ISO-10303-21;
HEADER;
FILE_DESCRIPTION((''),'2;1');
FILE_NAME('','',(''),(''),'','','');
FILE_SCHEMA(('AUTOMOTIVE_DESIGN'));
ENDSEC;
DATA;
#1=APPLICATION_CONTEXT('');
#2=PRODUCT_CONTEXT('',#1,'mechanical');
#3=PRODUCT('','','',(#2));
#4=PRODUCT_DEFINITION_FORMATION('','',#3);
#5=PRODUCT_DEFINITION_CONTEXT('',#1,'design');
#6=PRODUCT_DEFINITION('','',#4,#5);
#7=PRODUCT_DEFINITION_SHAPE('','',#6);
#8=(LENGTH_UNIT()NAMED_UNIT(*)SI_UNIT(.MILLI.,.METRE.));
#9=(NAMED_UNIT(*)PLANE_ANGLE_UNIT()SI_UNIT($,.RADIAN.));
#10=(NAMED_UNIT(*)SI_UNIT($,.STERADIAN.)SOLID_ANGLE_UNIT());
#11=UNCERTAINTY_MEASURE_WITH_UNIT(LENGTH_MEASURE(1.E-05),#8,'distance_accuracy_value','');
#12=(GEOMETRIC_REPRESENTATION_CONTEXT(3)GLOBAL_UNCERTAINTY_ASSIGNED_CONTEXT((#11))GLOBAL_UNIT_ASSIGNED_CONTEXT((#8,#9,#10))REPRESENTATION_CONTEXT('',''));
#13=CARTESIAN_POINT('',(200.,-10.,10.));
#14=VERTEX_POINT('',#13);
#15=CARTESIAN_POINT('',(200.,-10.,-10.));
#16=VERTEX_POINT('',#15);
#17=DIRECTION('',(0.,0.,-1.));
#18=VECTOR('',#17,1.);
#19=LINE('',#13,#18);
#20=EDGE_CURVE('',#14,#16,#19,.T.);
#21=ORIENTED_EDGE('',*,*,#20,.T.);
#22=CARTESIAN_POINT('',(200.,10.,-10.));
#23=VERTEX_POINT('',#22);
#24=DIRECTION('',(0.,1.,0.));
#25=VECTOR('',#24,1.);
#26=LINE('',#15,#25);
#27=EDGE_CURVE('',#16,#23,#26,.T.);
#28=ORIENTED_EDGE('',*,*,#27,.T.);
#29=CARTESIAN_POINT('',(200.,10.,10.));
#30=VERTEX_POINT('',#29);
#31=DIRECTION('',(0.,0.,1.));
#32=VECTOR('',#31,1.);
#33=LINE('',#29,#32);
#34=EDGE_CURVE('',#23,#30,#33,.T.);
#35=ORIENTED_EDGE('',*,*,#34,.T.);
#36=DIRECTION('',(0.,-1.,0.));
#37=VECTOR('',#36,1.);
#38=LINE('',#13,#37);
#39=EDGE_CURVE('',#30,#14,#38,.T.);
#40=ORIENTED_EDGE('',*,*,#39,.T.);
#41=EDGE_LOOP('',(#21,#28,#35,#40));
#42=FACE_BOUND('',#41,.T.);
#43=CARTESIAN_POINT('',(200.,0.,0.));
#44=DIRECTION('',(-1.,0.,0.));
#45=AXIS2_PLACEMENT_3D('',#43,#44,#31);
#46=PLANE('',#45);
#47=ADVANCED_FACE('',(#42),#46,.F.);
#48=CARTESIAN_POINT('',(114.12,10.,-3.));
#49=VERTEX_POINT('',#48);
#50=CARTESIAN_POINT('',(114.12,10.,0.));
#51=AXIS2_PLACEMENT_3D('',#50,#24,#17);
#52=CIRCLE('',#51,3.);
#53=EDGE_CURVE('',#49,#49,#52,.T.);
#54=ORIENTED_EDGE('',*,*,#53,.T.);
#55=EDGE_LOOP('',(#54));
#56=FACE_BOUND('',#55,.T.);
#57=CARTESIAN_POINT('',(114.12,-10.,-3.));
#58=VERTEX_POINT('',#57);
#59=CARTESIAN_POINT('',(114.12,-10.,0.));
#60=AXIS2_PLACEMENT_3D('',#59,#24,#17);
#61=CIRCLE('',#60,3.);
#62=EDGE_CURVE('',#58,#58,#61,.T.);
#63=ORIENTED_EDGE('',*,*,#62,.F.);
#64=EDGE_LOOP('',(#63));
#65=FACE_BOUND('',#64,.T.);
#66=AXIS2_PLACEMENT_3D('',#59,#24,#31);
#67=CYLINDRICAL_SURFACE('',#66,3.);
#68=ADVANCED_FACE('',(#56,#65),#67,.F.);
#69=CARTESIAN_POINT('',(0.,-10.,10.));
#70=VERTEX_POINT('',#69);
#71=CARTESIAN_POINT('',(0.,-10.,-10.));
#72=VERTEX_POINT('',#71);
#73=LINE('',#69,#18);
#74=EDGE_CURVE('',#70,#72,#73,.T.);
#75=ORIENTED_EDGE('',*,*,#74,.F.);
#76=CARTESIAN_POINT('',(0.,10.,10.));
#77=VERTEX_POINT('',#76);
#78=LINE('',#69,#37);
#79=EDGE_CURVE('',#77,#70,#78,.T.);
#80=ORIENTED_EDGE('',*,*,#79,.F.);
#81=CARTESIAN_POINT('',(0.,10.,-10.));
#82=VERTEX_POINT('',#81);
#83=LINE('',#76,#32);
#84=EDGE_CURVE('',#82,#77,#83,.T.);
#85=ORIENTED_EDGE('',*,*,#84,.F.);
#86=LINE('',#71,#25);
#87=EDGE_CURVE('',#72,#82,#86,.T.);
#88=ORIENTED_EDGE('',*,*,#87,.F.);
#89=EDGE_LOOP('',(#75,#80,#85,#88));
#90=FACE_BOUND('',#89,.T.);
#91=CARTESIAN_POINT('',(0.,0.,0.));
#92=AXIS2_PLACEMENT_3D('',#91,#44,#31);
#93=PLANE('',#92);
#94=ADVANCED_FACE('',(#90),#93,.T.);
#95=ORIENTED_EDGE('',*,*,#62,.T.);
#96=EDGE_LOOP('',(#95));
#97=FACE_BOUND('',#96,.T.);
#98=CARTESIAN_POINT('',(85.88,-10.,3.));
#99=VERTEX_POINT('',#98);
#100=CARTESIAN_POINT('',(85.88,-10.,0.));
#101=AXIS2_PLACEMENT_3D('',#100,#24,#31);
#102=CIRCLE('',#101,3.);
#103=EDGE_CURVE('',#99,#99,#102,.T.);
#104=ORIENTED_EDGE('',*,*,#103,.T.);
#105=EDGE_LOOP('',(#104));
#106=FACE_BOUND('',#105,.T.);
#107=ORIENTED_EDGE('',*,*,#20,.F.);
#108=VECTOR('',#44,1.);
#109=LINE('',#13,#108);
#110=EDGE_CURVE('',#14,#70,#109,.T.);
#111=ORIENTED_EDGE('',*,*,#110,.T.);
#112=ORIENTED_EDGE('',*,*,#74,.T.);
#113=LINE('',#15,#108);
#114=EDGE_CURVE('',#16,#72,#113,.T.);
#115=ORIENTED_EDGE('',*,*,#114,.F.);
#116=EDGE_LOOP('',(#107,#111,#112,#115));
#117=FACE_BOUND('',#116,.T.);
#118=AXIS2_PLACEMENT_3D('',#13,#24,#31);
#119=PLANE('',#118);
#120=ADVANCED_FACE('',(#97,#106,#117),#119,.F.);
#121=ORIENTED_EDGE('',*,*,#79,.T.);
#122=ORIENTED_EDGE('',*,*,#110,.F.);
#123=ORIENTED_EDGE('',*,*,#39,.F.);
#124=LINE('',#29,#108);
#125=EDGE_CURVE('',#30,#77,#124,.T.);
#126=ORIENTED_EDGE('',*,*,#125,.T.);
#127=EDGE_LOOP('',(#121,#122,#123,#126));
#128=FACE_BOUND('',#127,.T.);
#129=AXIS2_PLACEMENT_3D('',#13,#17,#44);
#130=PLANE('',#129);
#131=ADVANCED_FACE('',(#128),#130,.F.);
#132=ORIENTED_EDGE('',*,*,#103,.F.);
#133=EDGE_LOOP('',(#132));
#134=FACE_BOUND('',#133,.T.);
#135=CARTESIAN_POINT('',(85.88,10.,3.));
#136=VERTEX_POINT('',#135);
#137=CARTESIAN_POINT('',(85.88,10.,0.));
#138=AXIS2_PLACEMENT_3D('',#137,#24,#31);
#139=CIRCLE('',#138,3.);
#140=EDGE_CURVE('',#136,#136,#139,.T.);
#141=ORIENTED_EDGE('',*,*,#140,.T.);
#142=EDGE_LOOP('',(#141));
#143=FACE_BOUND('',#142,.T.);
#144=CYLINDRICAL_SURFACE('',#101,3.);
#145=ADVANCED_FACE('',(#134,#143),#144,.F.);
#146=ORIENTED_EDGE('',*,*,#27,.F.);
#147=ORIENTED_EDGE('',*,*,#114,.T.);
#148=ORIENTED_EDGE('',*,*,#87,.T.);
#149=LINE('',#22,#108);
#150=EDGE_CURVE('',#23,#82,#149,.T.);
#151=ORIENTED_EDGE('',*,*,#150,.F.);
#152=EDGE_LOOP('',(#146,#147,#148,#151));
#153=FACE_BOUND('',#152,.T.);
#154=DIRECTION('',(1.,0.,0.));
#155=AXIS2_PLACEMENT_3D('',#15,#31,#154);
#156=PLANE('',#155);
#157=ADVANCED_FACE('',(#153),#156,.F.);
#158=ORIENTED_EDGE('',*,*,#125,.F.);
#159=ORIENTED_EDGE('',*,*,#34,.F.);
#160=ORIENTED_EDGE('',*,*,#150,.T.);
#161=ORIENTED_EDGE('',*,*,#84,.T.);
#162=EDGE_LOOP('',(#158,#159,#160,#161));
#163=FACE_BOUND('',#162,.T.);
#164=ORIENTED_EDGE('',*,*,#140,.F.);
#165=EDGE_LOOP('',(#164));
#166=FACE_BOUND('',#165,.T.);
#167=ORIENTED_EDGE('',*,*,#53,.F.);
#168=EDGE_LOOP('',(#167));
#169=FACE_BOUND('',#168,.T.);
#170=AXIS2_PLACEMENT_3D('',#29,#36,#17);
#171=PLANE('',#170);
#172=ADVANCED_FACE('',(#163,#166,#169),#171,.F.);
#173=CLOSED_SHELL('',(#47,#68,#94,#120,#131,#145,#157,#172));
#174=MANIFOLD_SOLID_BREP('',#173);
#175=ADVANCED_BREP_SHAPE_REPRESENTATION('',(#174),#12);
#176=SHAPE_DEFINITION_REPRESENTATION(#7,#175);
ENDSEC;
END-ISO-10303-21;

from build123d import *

# Parameters (mm, degrees)
SKIZZE1_W                       = 20
SKIZZE1_H                       = 20
AUFSATZ_LINEAR_AUSTRAGEN1_DEPTH = 200
SKIZZE2_R                       = 3
SCHNITT_LINEAR_AUSTRAGEN1_DEPTH = 202.246117975


with BuildPart() as part:
    # Skizze1 → Aufsatz-Linear austragen1 (new body)
    with BuildSketch(Plane(origin=(0, 0, 0), x_dir=(0, 0, -1), z_dir=(1, 0, 0))):
        Rectangle(SKIZZE1_W, SKIZZE1_H)
    extrude(amount=AUFSATZ_LINEAR_AUSTRAGEN1_DEPTH)

    # Skizze2 → Schnitt-Linear austragen1 (cut, through all)
    with BuildSketch(Plane(origin=(0, 10, 0), x_dir=(1, 0, 0), z_dir=(0, 1, 0))):
        with Locations(Location((85.88, 0, 0), (0, 0, 270))):
            Circle(SKIZZE2_R)
        with Locations(Location((114.12, 0, 0), (0, 0, 90))):
            Circle(SKIZZE2_R)
    extrude(amount=-SCHNITT_LINEAR_AUSTRAGEN1_DEPTH, mode=Mode.SUBTRACT)


solid = part.part
